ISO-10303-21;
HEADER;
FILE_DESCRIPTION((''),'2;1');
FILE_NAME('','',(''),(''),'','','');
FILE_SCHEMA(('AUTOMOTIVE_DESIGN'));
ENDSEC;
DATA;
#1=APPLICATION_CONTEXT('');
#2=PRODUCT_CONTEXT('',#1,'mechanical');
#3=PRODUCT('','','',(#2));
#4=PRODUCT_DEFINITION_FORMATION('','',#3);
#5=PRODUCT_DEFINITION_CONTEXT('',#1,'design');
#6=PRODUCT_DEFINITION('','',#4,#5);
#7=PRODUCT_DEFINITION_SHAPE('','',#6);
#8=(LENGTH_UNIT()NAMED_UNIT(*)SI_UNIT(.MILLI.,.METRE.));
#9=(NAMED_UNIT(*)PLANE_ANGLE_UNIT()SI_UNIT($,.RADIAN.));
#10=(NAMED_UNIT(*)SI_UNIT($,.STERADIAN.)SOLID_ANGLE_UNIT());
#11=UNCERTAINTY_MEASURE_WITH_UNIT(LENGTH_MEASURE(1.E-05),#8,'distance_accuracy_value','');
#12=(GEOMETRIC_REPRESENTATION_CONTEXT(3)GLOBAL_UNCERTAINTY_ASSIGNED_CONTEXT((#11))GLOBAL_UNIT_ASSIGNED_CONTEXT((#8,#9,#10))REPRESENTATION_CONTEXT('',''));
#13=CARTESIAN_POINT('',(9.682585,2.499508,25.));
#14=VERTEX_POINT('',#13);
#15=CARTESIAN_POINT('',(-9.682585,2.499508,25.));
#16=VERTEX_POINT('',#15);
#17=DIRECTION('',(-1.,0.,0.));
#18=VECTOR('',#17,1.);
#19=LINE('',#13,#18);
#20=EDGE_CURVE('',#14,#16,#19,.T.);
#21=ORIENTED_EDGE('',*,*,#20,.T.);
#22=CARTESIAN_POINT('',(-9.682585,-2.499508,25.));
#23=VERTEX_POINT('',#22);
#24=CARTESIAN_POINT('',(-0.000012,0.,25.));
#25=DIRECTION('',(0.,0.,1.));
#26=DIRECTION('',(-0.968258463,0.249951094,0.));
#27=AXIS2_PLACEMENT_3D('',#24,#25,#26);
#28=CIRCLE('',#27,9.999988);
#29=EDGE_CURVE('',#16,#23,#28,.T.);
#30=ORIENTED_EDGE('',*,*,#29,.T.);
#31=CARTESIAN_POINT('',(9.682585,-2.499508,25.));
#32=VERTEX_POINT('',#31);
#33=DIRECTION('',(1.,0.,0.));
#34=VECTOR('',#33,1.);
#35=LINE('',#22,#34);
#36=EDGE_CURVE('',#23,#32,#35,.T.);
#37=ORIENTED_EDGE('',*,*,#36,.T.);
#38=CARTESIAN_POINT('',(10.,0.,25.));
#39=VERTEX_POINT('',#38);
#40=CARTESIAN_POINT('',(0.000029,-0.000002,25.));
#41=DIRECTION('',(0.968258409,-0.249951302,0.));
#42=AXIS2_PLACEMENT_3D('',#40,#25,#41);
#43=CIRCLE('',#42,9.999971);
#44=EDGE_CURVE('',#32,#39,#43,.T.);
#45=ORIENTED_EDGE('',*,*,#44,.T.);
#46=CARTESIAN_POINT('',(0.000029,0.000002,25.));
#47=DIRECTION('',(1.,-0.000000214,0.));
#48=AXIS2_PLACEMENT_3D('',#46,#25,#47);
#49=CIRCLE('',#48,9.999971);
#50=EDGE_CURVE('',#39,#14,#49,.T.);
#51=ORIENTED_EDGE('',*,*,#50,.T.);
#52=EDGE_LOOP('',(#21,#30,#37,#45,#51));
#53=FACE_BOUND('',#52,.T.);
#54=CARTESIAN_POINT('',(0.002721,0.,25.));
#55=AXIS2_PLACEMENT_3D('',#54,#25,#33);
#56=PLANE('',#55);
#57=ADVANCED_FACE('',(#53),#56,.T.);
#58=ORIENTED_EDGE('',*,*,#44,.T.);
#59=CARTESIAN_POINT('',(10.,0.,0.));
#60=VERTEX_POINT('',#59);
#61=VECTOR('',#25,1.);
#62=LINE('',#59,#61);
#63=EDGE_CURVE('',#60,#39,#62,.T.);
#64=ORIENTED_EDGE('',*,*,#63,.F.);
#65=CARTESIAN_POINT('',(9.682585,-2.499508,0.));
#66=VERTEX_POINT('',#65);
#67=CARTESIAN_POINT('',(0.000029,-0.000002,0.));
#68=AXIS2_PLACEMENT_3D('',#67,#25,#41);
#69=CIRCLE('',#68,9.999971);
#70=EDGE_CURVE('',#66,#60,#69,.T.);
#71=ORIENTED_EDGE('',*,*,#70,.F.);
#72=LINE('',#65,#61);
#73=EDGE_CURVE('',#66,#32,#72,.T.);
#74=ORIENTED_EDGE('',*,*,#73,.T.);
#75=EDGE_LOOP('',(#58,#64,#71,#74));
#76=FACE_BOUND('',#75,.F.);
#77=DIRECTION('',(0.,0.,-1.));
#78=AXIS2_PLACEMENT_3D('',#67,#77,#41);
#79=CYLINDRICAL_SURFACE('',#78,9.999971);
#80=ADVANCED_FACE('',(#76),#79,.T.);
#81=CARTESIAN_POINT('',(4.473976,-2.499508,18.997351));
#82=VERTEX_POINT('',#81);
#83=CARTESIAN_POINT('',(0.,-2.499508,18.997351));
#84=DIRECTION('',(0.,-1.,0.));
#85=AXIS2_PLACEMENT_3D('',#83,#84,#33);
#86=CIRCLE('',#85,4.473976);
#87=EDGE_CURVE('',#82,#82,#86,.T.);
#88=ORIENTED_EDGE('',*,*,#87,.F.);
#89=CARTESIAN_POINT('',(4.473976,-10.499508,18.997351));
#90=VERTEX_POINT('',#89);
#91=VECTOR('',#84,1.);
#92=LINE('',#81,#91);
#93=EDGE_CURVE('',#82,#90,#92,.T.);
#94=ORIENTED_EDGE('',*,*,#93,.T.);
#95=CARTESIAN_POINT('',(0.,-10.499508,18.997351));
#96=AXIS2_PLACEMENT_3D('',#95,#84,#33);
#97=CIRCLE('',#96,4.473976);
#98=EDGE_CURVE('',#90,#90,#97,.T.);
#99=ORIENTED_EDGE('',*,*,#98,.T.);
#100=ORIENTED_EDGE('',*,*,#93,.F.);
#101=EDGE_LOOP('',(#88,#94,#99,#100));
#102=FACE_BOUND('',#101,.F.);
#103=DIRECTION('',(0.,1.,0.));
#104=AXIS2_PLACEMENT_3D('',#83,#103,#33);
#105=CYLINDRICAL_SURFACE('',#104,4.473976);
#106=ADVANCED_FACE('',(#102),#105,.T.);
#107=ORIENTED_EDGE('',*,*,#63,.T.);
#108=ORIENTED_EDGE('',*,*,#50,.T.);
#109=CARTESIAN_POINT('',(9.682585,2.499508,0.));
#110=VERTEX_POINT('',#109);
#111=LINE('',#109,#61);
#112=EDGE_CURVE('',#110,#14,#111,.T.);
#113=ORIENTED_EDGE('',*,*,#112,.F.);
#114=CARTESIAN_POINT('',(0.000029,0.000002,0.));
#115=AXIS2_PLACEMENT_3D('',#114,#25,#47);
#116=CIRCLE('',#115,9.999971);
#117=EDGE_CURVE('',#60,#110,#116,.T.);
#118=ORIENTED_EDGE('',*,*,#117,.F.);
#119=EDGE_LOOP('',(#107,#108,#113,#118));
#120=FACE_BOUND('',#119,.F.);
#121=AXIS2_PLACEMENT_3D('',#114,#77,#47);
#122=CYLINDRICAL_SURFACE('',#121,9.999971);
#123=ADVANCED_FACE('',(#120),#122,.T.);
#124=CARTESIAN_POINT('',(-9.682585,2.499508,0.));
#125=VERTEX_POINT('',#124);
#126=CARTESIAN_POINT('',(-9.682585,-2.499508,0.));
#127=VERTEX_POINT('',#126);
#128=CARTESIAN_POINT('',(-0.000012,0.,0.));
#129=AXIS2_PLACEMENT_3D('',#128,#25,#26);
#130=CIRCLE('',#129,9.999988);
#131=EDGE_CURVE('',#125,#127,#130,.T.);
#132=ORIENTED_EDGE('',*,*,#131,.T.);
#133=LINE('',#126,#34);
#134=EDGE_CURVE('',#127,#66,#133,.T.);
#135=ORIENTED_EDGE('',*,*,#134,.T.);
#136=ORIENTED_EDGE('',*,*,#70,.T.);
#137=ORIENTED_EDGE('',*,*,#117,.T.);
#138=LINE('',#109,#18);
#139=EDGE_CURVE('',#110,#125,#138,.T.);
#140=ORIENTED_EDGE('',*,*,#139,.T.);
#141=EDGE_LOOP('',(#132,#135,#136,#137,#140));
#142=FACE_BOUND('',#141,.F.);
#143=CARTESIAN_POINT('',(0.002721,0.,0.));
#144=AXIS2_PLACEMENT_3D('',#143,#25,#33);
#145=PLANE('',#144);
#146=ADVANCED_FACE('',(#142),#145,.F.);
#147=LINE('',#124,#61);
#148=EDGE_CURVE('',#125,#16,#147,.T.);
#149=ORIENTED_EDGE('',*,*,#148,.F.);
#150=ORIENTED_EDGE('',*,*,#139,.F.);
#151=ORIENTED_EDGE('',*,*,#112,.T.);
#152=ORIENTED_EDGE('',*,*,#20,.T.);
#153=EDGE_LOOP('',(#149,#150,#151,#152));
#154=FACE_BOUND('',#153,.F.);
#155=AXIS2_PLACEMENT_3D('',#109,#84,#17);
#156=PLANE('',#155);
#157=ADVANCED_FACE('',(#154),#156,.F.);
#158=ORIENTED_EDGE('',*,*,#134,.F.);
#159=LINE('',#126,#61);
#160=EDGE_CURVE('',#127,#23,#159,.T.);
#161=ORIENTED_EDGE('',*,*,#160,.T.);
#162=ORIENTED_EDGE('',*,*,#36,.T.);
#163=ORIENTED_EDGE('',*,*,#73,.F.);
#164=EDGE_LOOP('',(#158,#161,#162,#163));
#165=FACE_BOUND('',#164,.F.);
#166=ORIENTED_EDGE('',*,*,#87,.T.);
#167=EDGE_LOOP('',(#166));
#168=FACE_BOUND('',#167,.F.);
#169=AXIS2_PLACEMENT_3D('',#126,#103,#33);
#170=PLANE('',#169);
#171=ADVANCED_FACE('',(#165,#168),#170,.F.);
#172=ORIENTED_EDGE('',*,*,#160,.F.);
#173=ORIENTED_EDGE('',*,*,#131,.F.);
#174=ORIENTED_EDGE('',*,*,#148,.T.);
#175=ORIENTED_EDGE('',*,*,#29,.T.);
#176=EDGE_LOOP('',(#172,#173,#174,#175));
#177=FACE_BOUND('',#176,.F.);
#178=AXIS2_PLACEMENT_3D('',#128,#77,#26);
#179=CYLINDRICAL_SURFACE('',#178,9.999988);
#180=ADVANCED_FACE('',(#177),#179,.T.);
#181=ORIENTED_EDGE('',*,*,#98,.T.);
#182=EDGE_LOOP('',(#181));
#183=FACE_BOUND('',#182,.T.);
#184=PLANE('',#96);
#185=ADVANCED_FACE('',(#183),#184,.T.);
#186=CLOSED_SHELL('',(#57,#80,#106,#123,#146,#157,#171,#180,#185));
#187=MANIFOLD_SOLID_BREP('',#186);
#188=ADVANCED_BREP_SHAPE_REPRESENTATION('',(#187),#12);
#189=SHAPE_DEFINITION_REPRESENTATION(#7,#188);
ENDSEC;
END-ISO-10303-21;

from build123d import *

# Parameters (mm, degrees)
F1_DEPTH = 25
F2_R     = 4.473976
F3_DEPTH = 8


with BuildPart() as f1:
    # F0 (on Top) → F1 (new body)
    with BuildSketch(Plane.XY):
        with BuildLine():
            ThreePointArc((9.682585, -2.499508), (9.920329, -1.259791), (10, 0))
            ThreePointArc((10, 0), (9.920329, 1.259791), (9.682585, 2.499508))
            Line((9.682585, 2.499508), (-9.682585, 2.499508))
            ThreePointArc((-9.682585, 2.499508), (-10, 0), (-9.682585, -2.499508))
            Line((-9.682585, -2.499508), (9.682585, -2.499508))
        make_face()
    extrude(amount=F1_DEPTH)

    # F2 (on face) → F3 (join)
    with BuildSketch(Plane.XZ.offset(2.499508)):
        with Locations((0, 18.997351)):
            Circle(F2_R)
    extrude(amount=F3_DEPTH)


solid = f1.part
